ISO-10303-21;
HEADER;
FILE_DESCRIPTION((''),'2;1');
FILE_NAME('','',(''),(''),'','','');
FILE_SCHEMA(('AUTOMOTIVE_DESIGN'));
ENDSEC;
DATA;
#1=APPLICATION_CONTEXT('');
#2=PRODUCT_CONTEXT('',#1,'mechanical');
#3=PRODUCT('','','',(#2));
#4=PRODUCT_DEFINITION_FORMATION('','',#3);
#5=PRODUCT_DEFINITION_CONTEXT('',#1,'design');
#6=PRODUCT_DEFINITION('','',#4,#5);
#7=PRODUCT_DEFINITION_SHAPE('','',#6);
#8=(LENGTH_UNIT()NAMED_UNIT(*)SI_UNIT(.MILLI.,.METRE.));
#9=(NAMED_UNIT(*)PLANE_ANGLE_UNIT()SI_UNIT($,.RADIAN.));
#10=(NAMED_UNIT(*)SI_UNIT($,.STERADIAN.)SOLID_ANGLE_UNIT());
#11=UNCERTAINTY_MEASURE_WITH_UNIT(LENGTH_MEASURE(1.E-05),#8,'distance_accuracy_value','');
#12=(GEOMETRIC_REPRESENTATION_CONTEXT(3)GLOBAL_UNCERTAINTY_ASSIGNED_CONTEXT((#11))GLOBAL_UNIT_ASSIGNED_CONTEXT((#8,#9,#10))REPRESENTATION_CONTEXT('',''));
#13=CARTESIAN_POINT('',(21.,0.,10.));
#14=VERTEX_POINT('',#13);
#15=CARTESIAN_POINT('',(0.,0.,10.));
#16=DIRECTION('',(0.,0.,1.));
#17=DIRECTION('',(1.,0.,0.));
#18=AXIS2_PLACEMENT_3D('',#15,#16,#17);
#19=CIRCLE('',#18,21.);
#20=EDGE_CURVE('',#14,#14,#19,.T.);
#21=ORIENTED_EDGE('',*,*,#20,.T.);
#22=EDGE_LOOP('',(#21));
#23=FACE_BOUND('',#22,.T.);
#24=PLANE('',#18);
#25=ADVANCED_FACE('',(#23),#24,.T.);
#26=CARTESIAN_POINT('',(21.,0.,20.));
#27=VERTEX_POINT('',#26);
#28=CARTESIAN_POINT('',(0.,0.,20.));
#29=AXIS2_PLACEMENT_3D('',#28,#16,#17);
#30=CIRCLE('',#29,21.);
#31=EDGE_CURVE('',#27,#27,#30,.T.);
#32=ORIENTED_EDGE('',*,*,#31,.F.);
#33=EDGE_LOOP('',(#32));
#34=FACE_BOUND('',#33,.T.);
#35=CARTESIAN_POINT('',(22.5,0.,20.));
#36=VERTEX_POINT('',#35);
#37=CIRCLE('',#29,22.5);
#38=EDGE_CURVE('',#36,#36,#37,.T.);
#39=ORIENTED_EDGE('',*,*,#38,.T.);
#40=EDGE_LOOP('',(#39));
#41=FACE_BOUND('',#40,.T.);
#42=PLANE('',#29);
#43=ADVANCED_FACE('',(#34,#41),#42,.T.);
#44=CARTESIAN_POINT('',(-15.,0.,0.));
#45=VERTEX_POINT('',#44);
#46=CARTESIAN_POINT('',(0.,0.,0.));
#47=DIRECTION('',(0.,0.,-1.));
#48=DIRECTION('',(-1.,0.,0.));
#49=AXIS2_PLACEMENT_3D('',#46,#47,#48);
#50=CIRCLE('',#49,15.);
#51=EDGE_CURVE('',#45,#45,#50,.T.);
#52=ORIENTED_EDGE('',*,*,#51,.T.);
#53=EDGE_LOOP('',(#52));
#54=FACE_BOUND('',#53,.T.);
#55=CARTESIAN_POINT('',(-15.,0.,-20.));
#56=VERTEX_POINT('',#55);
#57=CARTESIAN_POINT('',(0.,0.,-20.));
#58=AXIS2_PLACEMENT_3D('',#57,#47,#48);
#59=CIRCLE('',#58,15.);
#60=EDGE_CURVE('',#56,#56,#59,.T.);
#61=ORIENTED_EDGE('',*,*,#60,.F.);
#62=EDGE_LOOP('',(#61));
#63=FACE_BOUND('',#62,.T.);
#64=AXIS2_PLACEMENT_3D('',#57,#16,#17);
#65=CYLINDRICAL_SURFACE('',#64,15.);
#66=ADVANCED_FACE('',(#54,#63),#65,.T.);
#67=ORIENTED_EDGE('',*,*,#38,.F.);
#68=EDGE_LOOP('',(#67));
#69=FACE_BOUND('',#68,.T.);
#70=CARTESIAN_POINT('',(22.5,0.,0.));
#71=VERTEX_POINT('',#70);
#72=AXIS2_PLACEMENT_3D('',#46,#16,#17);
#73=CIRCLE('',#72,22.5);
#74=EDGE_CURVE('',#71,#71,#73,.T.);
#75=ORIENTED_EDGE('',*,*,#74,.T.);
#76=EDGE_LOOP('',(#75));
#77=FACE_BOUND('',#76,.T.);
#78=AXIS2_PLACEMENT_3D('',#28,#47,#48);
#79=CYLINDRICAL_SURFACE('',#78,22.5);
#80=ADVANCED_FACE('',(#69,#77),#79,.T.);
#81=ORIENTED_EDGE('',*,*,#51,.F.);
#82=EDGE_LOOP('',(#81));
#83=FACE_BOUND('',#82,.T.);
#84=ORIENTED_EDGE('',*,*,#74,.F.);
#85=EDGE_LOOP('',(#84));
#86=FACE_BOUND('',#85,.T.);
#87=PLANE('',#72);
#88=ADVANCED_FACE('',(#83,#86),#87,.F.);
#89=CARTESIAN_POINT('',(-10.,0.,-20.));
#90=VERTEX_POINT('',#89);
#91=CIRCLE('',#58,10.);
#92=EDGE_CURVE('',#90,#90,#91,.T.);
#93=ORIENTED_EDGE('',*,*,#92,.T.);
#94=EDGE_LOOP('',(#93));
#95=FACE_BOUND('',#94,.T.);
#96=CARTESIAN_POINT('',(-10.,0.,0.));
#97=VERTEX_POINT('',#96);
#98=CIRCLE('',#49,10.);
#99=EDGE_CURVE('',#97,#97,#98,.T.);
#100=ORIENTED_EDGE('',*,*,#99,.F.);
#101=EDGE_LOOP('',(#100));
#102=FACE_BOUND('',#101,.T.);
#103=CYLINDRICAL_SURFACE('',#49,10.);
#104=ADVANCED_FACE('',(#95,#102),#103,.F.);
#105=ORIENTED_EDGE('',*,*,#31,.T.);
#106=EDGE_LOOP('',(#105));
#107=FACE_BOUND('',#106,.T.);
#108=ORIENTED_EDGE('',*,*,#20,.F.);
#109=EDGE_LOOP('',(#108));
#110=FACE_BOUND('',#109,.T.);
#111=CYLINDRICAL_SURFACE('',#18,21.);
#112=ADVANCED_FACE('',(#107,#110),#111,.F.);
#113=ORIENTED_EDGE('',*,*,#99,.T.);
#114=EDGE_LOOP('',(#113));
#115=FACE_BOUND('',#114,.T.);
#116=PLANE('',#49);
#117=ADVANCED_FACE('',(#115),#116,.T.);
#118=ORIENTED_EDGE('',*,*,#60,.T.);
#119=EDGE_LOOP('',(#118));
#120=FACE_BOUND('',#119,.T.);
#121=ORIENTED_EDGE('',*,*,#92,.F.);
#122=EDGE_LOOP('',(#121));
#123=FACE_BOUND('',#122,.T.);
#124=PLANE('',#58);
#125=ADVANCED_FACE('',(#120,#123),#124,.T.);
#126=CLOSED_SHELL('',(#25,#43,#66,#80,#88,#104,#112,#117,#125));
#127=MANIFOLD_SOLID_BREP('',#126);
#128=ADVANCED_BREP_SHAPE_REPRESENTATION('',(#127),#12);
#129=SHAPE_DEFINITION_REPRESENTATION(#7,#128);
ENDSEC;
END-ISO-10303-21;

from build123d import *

# Parameters (mm, degrees)
SKETCH1_R           = 22.5
BOSS_EXTRUDE3_DEPTH = 20
SKETCH4_R           = 21
CUT_EXTRUDE2_DEPTH  = 10
SKETCH5_R           = 15
BOSS_EXTRUDE4_DEPTH = 20
SKETCH6_R           = 10
CUT_EXTRUDE4_DEPTH  = 20


with BuildPart() as part:
    # Sketch1 → Boss-Extrude3 (new body)
    with BuildSketch(Plane.XY):
        Circle(SKETCH1_R)
    extrude(amount=BOSS_EXTRUDE3_DEPTH)

    # Sketch4 → Cut-Extrude2 (cut)
    with BuildSketch(Plane.XY.offset(20)):
        Circle(SKETCH4_R)
    extrude(amount=-CUT_EXTRUDE2_DEPTH, mode=Mode.SUBTRACT)

    # Sketch5 → Boss-Extrude4 (add)
    with BuildSketch(Plane(origin=(0, 0, 0), x_dir=(-1, 0, 0), z_dir=(0, 0, -1))):
        Circle(SKETCH5_R)
    extrude(amount=BOSS_EXTRUDE4_DEPTH)

    # Sketch6 → Cut-Extrude4 (cut)
    with BuildSketch(Plane(origin=(0, 0, -20), x_dir=(-1, 0, 0), z_dir=(0, 0, -1))):
        Circle(SKETCH6_R)
    extrude(amount=-CUT_EXTRUDE4_DEPTH, mode=Mode.SUBTRACT)


solid = part.part
